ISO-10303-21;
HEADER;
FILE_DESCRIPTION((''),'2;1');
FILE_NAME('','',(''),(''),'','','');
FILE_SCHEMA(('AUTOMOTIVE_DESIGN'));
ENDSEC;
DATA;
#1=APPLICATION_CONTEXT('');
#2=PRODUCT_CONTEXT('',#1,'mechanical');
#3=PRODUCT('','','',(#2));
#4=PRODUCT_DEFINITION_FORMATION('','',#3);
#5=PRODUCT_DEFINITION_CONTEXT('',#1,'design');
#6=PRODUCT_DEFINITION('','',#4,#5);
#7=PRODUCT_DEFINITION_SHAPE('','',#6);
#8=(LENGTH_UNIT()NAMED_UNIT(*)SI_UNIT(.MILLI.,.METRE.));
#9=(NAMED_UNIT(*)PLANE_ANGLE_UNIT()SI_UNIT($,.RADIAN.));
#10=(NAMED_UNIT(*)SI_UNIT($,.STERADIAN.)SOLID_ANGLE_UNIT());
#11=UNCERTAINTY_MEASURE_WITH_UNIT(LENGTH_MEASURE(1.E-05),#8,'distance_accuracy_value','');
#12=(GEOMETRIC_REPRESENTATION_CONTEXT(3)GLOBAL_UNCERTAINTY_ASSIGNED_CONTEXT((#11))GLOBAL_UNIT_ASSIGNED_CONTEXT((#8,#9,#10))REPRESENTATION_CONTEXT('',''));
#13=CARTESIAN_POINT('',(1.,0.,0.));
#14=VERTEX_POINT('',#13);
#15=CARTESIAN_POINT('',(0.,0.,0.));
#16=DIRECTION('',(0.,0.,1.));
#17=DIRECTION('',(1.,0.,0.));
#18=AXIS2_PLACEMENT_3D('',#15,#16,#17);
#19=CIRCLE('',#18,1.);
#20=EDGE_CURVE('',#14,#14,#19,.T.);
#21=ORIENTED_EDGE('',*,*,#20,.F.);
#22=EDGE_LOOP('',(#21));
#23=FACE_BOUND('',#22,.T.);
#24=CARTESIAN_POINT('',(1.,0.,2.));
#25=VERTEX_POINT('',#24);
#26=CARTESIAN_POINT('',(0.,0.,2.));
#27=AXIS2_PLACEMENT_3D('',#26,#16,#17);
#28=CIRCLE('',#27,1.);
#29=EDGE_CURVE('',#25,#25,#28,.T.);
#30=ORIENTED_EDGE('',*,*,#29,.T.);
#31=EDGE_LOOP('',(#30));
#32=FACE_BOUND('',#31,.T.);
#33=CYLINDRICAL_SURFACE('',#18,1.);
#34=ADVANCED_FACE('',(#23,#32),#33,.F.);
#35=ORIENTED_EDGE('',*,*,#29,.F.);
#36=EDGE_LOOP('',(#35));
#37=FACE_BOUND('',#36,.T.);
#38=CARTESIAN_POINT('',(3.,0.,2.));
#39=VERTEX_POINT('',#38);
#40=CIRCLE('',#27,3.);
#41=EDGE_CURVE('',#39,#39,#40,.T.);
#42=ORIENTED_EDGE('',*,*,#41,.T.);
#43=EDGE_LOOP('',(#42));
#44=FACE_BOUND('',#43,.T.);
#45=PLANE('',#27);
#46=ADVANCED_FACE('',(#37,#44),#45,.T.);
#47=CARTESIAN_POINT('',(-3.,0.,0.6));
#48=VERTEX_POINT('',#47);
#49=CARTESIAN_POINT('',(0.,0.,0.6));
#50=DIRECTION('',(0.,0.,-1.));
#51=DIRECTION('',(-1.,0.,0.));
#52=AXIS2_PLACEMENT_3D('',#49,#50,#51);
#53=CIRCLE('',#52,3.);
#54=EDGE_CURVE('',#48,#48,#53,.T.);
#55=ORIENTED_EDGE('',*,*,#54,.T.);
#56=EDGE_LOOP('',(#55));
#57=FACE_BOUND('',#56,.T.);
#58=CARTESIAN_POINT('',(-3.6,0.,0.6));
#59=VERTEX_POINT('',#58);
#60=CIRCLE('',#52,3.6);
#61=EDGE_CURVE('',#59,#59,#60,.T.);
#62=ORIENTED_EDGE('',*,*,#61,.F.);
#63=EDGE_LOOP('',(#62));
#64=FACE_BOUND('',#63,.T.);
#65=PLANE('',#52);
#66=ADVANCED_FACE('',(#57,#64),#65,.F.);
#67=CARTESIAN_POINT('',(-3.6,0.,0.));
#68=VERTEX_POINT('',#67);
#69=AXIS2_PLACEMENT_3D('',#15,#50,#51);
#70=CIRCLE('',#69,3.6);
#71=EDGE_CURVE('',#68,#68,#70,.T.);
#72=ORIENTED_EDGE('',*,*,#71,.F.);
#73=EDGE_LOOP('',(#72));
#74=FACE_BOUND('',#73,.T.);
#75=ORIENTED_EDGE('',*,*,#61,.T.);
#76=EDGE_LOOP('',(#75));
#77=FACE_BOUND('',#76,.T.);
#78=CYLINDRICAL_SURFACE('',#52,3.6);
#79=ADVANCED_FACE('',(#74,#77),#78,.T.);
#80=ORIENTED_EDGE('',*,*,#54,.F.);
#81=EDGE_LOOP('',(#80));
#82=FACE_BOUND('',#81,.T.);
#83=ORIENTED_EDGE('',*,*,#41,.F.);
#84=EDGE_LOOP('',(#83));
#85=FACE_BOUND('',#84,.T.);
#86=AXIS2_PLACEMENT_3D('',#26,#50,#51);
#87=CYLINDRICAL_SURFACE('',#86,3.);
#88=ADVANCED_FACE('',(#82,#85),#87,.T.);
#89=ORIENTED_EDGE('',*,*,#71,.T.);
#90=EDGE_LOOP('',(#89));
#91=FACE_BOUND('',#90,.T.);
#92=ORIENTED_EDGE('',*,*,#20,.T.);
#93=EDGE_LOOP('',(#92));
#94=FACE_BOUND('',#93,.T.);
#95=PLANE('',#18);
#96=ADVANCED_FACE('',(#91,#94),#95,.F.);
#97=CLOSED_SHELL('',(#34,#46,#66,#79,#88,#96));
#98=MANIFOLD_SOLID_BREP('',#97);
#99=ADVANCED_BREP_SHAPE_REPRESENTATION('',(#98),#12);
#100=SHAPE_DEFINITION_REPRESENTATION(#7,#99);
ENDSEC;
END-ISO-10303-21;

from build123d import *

# Parameters (mm, degrees)
SKETCH_1_R               = 3
EXTRUDE_1_DEPTH          = 2
SKETCH_3_R               = 3.6
EXTRUDE_2_DEPTH          = 0.6
SKETCH_4_R               = 1
CUT_EXTRUDE_1_DEPTH      = 1
CUT_EXTRUDE_1_DEPTH_BACK = 3


with BuildPart() as part:
    # Эскиз1 → Бобышка-Вытянуть1 (new body)
    with BuildSketch(Plane.XY):
        Circle(SKETCH_1_R)
    extrude(amount=EXTRUDE_1_DEPTH)

    # Эскиз3 → Бобышка-Вытянуть2 (add)
    with BuildSketch(Plane(origin=(0, 0, 0), x_dir=(-1, 0, 0), z_dir=(0, 0, -1))):
        Circle(SKETCH_3_R)
    extrude(amount=-EXTRUDE_2_DEPTH)

    # Эскиз4 → Вырез-Вытянуть1 (cut, two sides)
    with BuildSketch(Plane.XY.offset(2)) as cut_extrude_1_sk:
        Circle(SKETCH_4_R)
    extrude(amount=CUT_EXTRUDE_1_DEPTH, mode=Mode.SUBTRACT)
    extrude(cut_extrude_1_sk.sketch, amount=-CUT_EXTRUDE_1_DEPTH_BACK, mode=Mode.SUBTRACT)


solid = part.part
